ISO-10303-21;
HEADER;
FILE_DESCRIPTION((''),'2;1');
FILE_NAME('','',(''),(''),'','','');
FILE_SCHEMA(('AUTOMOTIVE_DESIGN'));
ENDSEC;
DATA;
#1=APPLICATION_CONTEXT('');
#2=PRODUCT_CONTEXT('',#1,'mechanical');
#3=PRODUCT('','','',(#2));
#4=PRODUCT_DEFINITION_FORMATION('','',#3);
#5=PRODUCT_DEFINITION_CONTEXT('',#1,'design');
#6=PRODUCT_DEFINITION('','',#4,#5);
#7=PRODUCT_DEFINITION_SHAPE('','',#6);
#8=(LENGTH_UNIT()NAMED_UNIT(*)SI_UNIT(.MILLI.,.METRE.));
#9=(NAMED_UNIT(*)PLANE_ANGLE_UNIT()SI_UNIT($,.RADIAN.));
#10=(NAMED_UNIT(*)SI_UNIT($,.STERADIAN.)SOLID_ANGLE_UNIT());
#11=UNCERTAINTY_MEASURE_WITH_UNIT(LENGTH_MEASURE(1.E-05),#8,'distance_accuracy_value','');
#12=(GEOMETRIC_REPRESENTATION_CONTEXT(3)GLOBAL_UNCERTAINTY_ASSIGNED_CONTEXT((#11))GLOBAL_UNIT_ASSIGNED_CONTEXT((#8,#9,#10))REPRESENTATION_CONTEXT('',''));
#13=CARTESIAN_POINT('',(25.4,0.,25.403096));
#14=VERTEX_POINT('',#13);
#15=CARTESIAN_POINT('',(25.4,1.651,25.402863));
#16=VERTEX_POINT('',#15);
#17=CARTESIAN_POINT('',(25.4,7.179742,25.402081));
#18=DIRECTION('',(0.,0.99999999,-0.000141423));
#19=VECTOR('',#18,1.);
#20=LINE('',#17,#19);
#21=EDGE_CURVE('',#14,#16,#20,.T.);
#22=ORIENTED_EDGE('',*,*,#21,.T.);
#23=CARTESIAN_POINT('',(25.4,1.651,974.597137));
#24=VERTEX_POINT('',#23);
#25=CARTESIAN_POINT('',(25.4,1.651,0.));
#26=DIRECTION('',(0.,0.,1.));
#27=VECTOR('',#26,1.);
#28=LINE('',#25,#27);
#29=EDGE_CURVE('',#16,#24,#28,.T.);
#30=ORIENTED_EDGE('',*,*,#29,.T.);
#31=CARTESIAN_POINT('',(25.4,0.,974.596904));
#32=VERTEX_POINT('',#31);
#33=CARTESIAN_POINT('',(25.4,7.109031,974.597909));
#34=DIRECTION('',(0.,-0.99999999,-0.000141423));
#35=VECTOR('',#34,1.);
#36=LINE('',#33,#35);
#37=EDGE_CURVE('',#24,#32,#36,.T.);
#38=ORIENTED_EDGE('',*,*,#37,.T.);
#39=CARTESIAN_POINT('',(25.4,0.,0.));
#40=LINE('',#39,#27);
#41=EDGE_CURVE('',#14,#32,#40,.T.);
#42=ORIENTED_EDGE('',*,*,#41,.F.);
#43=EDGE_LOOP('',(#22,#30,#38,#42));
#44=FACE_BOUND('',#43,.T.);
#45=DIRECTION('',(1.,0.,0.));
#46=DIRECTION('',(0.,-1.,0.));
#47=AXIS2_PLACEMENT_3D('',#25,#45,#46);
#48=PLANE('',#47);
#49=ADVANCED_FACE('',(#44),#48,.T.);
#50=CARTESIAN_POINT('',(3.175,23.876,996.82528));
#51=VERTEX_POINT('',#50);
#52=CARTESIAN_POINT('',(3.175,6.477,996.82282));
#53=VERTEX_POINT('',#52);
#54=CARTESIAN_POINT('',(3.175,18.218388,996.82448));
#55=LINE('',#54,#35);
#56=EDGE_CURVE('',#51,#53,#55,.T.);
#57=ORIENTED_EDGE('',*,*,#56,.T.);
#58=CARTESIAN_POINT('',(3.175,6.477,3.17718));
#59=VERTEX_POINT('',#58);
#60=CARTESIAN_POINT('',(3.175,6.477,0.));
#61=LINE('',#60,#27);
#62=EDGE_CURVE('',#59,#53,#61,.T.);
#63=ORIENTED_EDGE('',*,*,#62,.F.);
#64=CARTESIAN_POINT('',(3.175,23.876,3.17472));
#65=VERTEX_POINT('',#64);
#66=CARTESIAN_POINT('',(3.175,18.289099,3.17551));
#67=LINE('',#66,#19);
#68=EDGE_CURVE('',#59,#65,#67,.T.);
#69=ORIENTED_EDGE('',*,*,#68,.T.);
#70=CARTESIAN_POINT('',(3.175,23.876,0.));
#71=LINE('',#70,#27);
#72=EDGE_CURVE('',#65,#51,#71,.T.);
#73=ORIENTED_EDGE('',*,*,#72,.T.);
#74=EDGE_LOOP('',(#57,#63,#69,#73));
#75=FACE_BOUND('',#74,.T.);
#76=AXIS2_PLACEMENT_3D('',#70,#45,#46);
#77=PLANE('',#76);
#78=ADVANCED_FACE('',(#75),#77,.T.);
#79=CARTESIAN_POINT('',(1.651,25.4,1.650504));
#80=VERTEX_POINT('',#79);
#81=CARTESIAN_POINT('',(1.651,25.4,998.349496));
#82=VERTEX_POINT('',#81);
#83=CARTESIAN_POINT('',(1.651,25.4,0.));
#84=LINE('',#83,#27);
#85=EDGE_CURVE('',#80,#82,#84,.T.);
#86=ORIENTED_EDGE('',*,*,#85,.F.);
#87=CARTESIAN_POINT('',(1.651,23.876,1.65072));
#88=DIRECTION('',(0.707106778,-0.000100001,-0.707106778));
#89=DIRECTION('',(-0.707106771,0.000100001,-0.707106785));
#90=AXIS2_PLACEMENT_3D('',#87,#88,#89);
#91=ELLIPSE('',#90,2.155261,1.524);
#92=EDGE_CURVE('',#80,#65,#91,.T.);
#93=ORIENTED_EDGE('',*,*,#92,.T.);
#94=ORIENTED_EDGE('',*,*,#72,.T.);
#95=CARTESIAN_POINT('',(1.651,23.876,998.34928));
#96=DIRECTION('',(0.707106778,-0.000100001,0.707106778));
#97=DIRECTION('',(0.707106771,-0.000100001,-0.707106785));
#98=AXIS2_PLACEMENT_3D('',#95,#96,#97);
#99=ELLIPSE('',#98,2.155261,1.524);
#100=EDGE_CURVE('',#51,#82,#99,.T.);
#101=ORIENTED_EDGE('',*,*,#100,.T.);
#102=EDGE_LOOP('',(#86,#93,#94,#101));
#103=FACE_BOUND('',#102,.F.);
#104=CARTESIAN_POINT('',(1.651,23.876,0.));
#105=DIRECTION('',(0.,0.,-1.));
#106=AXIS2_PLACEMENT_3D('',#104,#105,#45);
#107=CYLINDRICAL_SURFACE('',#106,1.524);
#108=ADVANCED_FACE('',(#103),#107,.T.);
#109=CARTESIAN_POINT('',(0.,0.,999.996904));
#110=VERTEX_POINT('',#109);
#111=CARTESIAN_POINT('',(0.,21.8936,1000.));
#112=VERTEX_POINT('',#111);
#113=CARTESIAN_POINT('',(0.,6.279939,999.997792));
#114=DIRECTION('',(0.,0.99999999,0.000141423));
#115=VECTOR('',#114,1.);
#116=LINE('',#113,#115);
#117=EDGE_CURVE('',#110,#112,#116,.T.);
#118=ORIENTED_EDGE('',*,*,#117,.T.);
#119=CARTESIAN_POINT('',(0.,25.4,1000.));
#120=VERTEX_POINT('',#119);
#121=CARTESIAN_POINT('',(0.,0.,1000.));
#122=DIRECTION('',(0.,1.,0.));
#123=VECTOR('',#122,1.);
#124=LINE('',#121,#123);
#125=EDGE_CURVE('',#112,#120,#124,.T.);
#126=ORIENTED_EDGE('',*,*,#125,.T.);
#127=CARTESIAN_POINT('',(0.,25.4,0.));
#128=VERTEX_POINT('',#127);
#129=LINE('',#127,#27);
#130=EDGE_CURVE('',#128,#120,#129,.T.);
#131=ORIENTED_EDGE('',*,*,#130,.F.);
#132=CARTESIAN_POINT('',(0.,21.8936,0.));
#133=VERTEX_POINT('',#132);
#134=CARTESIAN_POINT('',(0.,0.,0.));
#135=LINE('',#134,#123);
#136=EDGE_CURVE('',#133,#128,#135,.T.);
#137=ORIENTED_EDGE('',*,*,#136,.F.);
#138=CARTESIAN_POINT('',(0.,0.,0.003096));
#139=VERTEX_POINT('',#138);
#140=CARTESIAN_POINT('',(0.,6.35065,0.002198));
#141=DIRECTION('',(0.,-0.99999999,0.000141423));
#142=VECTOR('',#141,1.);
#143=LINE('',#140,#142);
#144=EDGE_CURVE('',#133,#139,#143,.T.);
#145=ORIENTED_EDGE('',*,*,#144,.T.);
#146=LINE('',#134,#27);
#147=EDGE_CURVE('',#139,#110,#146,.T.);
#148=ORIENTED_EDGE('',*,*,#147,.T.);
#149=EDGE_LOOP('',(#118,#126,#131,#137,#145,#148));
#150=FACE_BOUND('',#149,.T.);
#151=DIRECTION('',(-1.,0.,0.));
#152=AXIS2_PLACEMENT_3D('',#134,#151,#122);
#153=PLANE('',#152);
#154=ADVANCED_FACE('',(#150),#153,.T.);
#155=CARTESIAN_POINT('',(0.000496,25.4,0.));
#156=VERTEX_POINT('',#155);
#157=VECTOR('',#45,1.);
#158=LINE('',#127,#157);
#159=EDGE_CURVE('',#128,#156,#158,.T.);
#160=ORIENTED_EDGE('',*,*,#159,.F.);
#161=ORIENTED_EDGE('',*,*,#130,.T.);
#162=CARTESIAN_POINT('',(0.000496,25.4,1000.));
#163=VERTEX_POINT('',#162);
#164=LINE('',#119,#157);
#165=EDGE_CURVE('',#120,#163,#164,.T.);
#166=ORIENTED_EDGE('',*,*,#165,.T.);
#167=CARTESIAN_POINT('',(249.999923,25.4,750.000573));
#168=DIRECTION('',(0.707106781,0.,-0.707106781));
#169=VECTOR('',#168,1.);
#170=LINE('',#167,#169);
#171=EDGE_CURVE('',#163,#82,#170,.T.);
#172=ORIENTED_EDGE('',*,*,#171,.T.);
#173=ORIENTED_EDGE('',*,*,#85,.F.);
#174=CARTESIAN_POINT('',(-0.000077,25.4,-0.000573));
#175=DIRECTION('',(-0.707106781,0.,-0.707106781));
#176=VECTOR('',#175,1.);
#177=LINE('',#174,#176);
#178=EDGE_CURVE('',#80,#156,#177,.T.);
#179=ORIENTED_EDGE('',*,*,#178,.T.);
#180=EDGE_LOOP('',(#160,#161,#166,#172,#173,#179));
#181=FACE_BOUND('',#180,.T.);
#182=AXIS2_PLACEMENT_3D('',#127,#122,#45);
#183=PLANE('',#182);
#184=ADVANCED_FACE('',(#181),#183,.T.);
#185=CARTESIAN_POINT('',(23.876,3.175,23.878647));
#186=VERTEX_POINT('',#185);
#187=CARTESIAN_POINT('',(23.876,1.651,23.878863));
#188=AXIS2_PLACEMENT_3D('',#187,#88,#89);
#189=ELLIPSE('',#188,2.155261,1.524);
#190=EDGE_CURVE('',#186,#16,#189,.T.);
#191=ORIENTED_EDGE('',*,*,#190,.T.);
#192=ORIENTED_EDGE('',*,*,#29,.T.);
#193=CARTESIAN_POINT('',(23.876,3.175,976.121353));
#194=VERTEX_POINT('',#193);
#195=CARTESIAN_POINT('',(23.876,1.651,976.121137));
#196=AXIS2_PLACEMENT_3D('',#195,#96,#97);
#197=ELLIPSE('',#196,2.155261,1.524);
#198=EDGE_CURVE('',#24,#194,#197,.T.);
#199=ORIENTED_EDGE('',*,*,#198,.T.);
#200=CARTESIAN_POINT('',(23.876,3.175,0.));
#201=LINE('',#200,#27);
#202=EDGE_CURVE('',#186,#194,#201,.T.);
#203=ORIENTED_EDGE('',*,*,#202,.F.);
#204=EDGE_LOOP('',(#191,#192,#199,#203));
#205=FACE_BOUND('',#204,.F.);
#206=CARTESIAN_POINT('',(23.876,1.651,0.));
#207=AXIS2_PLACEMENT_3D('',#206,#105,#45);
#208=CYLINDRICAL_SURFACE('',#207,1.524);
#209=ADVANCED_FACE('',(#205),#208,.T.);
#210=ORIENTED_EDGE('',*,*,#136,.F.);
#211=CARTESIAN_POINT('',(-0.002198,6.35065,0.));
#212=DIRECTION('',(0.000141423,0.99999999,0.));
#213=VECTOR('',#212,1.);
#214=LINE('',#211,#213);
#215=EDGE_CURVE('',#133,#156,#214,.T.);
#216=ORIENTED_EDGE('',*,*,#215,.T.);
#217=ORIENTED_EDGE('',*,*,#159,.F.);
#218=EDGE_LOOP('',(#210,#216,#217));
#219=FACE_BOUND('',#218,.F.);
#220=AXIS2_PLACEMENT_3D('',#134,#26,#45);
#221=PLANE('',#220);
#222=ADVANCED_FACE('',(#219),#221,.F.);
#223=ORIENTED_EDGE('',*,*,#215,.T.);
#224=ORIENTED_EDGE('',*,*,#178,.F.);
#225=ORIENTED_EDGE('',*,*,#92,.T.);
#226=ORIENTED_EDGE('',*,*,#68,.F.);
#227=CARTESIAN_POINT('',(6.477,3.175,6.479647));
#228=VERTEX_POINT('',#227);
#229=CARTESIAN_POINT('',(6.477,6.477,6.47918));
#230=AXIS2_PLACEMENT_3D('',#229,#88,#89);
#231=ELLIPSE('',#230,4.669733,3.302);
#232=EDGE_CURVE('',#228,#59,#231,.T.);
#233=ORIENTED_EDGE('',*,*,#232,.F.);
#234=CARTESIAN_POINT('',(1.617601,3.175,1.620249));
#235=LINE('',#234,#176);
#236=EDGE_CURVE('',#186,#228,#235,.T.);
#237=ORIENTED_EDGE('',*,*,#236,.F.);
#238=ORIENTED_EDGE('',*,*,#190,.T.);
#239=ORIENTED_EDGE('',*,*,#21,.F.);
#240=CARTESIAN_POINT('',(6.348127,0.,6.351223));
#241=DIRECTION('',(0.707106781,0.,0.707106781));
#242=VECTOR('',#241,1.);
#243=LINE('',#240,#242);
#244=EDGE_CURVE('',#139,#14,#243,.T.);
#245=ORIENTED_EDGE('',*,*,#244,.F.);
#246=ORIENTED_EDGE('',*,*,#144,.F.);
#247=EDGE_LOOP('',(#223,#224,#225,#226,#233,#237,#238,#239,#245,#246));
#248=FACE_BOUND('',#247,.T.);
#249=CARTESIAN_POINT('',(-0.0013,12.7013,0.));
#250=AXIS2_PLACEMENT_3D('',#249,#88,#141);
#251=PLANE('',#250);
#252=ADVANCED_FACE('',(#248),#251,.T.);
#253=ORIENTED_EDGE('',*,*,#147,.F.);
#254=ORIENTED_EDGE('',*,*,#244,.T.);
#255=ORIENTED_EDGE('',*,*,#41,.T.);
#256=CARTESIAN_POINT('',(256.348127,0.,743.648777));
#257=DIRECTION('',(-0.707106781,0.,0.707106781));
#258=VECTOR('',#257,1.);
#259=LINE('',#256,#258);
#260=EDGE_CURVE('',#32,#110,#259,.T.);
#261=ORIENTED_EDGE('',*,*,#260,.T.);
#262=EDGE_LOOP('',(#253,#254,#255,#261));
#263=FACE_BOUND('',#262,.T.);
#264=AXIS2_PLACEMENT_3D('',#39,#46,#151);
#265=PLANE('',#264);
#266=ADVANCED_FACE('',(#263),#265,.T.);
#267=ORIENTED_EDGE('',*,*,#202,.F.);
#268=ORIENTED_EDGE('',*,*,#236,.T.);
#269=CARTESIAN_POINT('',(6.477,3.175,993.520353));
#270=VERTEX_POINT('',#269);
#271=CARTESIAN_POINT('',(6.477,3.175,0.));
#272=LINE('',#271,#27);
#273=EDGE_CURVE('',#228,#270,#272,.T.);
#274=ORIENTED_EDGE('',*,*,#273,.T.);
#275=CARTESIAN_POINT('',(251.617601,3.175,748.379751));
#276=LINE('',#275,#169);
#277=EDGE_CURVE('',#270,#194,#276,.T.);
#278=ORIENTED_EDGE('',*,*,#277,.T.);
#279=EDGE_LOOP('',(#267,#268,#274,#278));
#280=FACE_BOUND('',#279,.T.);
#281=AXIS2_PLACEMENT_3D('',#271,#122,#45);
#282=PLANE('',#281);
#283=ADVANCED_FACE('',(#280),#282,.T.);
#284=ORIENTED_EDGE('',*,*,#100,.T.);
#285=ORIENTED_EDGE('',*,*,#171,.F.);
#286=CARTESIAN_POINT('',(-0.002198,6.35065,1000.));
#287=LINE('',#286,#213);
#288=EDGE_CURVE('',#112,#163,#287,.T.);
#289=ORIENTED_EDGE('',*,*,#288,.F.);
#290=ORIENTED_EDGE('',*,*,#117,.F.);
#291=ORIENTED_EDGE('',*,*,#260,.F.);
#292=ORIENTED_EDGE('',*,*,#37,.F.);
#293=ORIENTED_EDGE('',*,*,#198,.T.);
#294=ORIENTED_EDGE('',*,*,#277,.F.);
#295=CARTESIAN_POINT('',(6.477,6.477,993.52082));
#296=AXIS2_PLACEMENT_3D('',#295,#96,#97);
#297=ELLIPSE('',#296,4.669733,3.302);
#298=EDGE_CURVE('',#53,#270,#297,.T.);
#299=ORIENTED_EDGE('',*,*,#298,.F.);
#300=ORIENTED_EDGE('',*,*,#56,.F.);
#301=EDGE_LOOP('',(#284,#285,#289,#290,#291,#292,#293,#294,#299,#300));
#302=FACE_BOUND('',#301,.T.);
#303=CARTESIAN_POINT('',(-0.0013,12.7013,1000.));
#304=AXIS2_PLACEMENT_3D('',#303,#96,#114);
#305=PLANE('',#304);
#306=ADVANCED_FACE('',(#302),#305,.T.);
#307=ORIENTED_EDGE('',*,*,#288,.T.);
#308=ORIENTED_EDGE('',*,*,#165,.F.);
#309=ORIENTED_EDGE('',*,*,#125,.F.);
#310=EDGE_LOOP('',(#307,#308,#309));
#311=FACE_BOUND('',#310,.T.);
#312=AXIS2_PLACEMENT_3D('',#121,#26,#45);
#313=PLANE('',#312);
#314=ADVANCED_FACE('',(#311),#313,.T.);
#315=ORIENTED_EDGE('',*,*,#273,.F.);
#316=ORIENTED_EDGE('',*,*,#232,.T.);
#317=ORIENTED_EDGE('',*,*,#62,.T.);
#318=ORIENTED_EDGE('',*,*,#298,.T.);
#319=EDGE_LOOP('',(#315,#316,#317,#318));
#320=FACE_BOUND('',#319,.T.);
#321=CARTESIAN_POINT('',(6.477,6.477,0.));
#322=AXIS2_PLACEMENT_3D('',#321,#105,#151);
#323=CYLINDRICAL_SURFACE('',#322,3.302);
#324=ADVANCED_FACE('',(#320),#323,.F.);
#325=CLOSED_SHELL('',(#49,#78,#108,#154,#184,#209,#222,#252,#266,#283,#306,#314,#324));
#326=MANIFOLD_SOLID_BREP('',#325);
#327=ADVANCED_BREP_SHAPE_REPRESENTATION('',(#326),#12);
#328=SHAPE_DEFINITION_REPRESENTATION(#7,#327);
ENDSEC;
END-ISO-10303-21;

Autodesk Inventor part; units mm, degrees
ref_plane "Start Plane" through (0, 0, 0) normal (0, 0, 1) x (1, 0, 0)
ref_plane "End Plane" through (0, 0, 1000) normal (0, 0, 1) x (1, 0, 0)
sketch "Sketch" plane through (0, 0, 0) normal (0, 0, 1) x (1, 0, 0)
  line L0 (25.4, 0) -> (0, 0)
  line L1 (0, 0) -> (0, 25.4)
  line L2 (0, 25.4) -> (1.651, 25.4)
  line L3 (3.175, 23.876) -> (3.175, 6.477)
  line L4 (6.477, 3.175) -> (23.876, 3.175)
  line L5 (25.4, 1.651) -> (25.4, 0)
  line L6 (0, -11.0414) -> (0, 31.5385) construction
  line L7 (-11.0414, 0) -> (31.5385, 0) construction
  arc A0 (3.175, 6.477) -> (6.477, 3.175) centre (6.477, 6.477) ccw
  arc A1 (3.175, 23.876) -> (1.651, 25.4) centre (1.651, 23.876) ccw
  arc A2 (25.4, 1.651) -> (23.876, 3.175) centre (23.876, 1.651) ccw
  line L8 (0, 40.0545) -> (0, -19.5574) construction
  line L9 (-19.5574, 0) -> (40.0545, 0) construction
  point P0 (3.175, 25.4)
  point P1 (3.175, 3.175)
  point P2 (25.4, 3.175)
  dimension "d0" = 25.4
  dimension "d1" = 25.4
  dimension "d2" = 3.175
  dimension "d3" = 3.175
  dimension "d10" = 0
  dimension "d11" = 0
  dimension "d14" = 3.302
  dimension "d15" = 1.524
extrude "Body" add sketch "Sketch" along normal up to surface (1000 mm away) from surface at 0
sketch "Sketch3" plane through (0, 0, 0) normal (0, 0, 1) x (1, 0, 0)
  line L0 (0, 0) -> (10, 0)
ref_plane "Work Plane3" through (0, 0, 0) normal (0, -1, 0) x (1, 0, 0)
ref_plane "Work Plane30" through (-0.0013, 12.7013, 0) normal (0.7071, -0.0001, -0.7071) x (-0.7071, 0.0002, -0.7071)
split "Split3" plane through (-0.0013, 12.7013, 0) removes the side toward (0.7071, -0.0001, -0.7071)
ref_plane "Work Plane31" through (-0.0013, 12.7013, 1000) normal (0.7071, -0.0001, 0.7071) x (0.7071, 0, -0.7071)
split "Split4" plane through (-0.0013, 12.7013, 1000) removes the side toward (0.7071, -0.0001, 0.7071)
sketch "Sketch13" plane through (6.477, 3.175, 993.5214) normal (0, 1, 0) x (1, 0, 0)
  circle A0 centre (9.7828, 273.923) radius 1.65 projected
  circle A1 centre (9.7828, 466.623) radius 1.65 projected
  circle A2 centre (9.7828, 519.423) radius 1.65 projected
  circle A3 centre (9.7828, 712.123) radius 1.65 projected
  circle A4 centre (9.7828, 764.923) radius 1.65 projected
  circle A5 centre (9.7828, 957.623) radius 1.65 projected
  ellipse E0 centre (-0.4433, 28.423) end of major axis (-0.4433, 26.773) minor radius 1.6494 projected
  ellipse E1 centre (-0.2869, 221.123) end of major axis (-0.2869, 219.473) minor radius 1.6494 projected
  point P0 (-6.477, 993.5214)
sketch "Sketch14" plane through (3.175, 6.477, 996.8234) normal (1, 0, 0) x (0, 0, -1)
  circle A0 centre (277.225, 10.0627) radius 1.65 projected
  circle A1 centre (469.925, 10.0627) radius 1.65 projected
  circle A2 centre (522.725, 10.0627) radius 1.65 projected
  circle A3 centre (715.425, 10.0627) radius 1.65 projected
  circle A4 centre (768.225, 10.0627) radius 1.65 projected
  circle A5 centre (960.925, 10.0627) radius 1.65 projected
  ellipse E0 centre (31.725, 9.675) end of major axis (30.075, 9.675) minor radius 1.6494 projected
  ellipse E1 centre (224.425, 9.675) end of major axis (226.075, 9.675) minor radius 1.6494 projected
  point P0 (996.8234, -6.477)
sketch "Sketch4" plane through (0, 0, 0) normal (0, -1, 0) x (1, 0, 0)
  line L0 (-3.582, 0) -> (21.4918, 0) projected
  line L1 (-3.582, 1000) -> (21.4918, 1000) projected
  dimension "d17" = 1000
equation "\"d0\" = G_H"
equation "\"d1\" = G_H"
equation "\"d2\" = G_T"
equation "\"d3\" = G_T"
equation "\"d14\" = G_IR"
equation "\"d15\" = G_ER"
equation "\"d4\" = G_L"
equation "\"G_H\" = 25.4"
equation "\"G_T\" = 3.175"
equation "\"G_ER\" = 1.524"
equation "\"G_IR\" = 3.302"
equation "\"G_L\" = 1000"
equation "\"ex\" = 0"
equation "\"G_OFFSET_START\" = 0"
equation "\"G_OFFSET_END\" = 0"
properties part number "AISC - L 1 x 1 x 1/8 - 39.37" material "Steel, Mild"
